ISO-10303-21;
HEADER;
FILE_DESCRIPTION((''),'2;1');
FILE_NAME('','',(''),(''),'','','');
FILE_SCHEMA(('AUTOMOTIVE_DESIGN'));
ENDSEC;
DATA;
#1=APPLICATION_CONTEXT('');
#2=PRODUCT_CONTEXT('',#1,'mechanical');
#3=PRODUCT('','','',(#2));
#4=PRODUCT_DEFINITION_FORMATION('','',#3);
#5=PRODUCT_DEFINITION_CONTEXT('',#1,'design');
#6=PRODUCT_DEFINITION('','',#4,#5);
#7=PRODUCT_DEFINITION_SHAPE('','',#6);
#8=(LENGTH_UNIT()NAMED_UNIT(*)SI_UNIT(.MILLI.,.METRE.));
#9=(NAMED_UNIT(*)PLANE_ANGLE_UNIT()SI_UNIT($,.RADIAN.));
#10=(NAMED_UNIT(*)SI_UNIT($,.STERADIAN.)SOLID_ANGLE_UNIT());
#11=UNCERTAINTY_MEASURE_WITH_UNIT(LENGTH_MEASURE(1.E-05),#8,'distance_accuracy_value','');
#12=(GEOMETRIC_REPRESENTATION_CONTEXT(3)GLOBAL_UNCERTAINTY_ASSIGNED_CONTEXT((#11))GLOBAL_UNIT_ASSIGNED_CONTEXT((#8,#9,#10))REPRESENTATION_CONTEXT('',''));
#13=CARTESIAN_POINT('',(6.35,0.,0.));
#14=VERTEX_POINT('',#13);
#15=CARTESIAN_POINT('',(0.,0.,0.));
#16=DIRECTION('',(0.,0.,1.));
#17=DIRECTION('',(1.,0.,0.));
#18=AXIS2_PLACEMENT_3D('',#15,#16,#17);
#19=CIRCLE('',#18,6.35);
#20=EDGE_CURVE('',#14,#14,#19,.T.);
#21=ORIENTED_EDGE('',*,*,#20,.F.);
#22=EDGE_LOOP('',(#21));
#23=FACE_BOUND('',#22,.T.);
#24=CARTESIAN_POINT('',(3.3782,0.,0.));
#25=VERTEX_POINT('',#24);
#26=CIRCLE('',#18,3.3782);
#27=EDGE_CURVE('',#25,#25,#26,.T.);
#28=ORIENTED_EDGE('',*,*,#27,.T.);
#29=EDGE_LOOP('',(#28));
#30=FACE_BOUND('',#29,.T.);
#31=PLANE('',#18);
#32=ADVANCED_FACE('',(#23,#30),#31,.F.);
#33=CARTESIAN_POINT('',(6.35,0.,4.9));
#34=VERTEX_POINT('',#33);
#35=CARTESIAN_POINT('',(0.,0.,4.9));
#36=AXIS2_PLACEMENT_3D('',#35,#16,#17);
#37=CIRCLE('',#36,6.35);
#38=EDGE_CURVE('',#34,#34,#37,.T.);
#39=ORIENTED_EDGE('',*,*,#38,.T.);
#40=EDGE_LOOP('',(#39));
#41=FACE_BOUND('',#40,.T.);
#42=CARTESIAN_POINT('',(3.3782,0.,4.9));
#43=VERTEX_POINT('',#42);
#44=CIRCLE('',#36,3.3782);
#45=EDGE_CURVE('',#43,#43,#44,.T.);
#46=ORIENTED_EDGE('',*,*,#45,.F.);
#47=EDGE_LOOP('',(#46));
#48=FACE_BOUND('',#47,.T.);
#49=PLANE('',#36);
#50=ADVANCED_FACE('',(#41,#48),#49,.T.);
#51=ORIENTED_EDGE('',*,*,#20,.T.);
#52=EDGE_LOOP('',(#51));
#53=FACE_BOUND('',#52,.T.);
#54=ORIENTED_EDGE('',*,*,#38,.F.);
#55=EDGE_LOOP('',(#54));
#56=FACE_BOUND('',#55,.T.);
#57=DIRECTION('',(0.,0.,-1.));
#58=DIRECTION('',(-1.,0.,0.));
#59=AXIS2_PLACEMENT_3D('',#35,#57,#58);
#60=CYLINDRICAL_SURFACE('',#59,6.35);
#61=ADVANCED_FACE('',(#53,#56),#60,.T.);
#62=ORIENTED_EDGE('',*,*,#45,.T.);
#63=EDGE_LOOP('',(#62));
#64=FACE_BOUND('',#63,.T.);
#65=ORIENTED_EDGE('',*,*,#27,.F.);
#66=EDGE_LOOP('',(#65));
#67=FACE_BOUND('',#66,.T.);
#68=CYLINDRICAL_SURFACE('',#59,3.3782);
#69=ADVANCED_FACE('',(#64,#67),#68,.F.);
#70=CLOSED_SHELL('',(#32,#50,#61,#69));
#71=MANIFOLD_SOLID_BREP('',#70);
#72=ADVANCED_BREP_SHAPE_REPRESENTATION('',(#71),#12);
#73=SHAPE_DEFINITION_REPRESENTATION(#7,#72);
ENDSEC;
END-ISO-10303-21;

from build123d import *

# Parameters (mm, degrees)
SKETCH1_R           = 6.35
SKETCH1_R_2         = 3.3782
BOSS_EXTRUDE1_DEPTH = 4.9


with BuildPart() as part:
    # Sketch1 → Boss-Extrude1 (new body)
    with BuildSketch(Plane.XY):
        Circle(SKETCH1_R)
        Circle(SKETCH1_R_2, mode=Mode.SUBTRACT)
    extrude(amount=BOSS_EXTRUDE1_DEPTH)


solid = part.part
